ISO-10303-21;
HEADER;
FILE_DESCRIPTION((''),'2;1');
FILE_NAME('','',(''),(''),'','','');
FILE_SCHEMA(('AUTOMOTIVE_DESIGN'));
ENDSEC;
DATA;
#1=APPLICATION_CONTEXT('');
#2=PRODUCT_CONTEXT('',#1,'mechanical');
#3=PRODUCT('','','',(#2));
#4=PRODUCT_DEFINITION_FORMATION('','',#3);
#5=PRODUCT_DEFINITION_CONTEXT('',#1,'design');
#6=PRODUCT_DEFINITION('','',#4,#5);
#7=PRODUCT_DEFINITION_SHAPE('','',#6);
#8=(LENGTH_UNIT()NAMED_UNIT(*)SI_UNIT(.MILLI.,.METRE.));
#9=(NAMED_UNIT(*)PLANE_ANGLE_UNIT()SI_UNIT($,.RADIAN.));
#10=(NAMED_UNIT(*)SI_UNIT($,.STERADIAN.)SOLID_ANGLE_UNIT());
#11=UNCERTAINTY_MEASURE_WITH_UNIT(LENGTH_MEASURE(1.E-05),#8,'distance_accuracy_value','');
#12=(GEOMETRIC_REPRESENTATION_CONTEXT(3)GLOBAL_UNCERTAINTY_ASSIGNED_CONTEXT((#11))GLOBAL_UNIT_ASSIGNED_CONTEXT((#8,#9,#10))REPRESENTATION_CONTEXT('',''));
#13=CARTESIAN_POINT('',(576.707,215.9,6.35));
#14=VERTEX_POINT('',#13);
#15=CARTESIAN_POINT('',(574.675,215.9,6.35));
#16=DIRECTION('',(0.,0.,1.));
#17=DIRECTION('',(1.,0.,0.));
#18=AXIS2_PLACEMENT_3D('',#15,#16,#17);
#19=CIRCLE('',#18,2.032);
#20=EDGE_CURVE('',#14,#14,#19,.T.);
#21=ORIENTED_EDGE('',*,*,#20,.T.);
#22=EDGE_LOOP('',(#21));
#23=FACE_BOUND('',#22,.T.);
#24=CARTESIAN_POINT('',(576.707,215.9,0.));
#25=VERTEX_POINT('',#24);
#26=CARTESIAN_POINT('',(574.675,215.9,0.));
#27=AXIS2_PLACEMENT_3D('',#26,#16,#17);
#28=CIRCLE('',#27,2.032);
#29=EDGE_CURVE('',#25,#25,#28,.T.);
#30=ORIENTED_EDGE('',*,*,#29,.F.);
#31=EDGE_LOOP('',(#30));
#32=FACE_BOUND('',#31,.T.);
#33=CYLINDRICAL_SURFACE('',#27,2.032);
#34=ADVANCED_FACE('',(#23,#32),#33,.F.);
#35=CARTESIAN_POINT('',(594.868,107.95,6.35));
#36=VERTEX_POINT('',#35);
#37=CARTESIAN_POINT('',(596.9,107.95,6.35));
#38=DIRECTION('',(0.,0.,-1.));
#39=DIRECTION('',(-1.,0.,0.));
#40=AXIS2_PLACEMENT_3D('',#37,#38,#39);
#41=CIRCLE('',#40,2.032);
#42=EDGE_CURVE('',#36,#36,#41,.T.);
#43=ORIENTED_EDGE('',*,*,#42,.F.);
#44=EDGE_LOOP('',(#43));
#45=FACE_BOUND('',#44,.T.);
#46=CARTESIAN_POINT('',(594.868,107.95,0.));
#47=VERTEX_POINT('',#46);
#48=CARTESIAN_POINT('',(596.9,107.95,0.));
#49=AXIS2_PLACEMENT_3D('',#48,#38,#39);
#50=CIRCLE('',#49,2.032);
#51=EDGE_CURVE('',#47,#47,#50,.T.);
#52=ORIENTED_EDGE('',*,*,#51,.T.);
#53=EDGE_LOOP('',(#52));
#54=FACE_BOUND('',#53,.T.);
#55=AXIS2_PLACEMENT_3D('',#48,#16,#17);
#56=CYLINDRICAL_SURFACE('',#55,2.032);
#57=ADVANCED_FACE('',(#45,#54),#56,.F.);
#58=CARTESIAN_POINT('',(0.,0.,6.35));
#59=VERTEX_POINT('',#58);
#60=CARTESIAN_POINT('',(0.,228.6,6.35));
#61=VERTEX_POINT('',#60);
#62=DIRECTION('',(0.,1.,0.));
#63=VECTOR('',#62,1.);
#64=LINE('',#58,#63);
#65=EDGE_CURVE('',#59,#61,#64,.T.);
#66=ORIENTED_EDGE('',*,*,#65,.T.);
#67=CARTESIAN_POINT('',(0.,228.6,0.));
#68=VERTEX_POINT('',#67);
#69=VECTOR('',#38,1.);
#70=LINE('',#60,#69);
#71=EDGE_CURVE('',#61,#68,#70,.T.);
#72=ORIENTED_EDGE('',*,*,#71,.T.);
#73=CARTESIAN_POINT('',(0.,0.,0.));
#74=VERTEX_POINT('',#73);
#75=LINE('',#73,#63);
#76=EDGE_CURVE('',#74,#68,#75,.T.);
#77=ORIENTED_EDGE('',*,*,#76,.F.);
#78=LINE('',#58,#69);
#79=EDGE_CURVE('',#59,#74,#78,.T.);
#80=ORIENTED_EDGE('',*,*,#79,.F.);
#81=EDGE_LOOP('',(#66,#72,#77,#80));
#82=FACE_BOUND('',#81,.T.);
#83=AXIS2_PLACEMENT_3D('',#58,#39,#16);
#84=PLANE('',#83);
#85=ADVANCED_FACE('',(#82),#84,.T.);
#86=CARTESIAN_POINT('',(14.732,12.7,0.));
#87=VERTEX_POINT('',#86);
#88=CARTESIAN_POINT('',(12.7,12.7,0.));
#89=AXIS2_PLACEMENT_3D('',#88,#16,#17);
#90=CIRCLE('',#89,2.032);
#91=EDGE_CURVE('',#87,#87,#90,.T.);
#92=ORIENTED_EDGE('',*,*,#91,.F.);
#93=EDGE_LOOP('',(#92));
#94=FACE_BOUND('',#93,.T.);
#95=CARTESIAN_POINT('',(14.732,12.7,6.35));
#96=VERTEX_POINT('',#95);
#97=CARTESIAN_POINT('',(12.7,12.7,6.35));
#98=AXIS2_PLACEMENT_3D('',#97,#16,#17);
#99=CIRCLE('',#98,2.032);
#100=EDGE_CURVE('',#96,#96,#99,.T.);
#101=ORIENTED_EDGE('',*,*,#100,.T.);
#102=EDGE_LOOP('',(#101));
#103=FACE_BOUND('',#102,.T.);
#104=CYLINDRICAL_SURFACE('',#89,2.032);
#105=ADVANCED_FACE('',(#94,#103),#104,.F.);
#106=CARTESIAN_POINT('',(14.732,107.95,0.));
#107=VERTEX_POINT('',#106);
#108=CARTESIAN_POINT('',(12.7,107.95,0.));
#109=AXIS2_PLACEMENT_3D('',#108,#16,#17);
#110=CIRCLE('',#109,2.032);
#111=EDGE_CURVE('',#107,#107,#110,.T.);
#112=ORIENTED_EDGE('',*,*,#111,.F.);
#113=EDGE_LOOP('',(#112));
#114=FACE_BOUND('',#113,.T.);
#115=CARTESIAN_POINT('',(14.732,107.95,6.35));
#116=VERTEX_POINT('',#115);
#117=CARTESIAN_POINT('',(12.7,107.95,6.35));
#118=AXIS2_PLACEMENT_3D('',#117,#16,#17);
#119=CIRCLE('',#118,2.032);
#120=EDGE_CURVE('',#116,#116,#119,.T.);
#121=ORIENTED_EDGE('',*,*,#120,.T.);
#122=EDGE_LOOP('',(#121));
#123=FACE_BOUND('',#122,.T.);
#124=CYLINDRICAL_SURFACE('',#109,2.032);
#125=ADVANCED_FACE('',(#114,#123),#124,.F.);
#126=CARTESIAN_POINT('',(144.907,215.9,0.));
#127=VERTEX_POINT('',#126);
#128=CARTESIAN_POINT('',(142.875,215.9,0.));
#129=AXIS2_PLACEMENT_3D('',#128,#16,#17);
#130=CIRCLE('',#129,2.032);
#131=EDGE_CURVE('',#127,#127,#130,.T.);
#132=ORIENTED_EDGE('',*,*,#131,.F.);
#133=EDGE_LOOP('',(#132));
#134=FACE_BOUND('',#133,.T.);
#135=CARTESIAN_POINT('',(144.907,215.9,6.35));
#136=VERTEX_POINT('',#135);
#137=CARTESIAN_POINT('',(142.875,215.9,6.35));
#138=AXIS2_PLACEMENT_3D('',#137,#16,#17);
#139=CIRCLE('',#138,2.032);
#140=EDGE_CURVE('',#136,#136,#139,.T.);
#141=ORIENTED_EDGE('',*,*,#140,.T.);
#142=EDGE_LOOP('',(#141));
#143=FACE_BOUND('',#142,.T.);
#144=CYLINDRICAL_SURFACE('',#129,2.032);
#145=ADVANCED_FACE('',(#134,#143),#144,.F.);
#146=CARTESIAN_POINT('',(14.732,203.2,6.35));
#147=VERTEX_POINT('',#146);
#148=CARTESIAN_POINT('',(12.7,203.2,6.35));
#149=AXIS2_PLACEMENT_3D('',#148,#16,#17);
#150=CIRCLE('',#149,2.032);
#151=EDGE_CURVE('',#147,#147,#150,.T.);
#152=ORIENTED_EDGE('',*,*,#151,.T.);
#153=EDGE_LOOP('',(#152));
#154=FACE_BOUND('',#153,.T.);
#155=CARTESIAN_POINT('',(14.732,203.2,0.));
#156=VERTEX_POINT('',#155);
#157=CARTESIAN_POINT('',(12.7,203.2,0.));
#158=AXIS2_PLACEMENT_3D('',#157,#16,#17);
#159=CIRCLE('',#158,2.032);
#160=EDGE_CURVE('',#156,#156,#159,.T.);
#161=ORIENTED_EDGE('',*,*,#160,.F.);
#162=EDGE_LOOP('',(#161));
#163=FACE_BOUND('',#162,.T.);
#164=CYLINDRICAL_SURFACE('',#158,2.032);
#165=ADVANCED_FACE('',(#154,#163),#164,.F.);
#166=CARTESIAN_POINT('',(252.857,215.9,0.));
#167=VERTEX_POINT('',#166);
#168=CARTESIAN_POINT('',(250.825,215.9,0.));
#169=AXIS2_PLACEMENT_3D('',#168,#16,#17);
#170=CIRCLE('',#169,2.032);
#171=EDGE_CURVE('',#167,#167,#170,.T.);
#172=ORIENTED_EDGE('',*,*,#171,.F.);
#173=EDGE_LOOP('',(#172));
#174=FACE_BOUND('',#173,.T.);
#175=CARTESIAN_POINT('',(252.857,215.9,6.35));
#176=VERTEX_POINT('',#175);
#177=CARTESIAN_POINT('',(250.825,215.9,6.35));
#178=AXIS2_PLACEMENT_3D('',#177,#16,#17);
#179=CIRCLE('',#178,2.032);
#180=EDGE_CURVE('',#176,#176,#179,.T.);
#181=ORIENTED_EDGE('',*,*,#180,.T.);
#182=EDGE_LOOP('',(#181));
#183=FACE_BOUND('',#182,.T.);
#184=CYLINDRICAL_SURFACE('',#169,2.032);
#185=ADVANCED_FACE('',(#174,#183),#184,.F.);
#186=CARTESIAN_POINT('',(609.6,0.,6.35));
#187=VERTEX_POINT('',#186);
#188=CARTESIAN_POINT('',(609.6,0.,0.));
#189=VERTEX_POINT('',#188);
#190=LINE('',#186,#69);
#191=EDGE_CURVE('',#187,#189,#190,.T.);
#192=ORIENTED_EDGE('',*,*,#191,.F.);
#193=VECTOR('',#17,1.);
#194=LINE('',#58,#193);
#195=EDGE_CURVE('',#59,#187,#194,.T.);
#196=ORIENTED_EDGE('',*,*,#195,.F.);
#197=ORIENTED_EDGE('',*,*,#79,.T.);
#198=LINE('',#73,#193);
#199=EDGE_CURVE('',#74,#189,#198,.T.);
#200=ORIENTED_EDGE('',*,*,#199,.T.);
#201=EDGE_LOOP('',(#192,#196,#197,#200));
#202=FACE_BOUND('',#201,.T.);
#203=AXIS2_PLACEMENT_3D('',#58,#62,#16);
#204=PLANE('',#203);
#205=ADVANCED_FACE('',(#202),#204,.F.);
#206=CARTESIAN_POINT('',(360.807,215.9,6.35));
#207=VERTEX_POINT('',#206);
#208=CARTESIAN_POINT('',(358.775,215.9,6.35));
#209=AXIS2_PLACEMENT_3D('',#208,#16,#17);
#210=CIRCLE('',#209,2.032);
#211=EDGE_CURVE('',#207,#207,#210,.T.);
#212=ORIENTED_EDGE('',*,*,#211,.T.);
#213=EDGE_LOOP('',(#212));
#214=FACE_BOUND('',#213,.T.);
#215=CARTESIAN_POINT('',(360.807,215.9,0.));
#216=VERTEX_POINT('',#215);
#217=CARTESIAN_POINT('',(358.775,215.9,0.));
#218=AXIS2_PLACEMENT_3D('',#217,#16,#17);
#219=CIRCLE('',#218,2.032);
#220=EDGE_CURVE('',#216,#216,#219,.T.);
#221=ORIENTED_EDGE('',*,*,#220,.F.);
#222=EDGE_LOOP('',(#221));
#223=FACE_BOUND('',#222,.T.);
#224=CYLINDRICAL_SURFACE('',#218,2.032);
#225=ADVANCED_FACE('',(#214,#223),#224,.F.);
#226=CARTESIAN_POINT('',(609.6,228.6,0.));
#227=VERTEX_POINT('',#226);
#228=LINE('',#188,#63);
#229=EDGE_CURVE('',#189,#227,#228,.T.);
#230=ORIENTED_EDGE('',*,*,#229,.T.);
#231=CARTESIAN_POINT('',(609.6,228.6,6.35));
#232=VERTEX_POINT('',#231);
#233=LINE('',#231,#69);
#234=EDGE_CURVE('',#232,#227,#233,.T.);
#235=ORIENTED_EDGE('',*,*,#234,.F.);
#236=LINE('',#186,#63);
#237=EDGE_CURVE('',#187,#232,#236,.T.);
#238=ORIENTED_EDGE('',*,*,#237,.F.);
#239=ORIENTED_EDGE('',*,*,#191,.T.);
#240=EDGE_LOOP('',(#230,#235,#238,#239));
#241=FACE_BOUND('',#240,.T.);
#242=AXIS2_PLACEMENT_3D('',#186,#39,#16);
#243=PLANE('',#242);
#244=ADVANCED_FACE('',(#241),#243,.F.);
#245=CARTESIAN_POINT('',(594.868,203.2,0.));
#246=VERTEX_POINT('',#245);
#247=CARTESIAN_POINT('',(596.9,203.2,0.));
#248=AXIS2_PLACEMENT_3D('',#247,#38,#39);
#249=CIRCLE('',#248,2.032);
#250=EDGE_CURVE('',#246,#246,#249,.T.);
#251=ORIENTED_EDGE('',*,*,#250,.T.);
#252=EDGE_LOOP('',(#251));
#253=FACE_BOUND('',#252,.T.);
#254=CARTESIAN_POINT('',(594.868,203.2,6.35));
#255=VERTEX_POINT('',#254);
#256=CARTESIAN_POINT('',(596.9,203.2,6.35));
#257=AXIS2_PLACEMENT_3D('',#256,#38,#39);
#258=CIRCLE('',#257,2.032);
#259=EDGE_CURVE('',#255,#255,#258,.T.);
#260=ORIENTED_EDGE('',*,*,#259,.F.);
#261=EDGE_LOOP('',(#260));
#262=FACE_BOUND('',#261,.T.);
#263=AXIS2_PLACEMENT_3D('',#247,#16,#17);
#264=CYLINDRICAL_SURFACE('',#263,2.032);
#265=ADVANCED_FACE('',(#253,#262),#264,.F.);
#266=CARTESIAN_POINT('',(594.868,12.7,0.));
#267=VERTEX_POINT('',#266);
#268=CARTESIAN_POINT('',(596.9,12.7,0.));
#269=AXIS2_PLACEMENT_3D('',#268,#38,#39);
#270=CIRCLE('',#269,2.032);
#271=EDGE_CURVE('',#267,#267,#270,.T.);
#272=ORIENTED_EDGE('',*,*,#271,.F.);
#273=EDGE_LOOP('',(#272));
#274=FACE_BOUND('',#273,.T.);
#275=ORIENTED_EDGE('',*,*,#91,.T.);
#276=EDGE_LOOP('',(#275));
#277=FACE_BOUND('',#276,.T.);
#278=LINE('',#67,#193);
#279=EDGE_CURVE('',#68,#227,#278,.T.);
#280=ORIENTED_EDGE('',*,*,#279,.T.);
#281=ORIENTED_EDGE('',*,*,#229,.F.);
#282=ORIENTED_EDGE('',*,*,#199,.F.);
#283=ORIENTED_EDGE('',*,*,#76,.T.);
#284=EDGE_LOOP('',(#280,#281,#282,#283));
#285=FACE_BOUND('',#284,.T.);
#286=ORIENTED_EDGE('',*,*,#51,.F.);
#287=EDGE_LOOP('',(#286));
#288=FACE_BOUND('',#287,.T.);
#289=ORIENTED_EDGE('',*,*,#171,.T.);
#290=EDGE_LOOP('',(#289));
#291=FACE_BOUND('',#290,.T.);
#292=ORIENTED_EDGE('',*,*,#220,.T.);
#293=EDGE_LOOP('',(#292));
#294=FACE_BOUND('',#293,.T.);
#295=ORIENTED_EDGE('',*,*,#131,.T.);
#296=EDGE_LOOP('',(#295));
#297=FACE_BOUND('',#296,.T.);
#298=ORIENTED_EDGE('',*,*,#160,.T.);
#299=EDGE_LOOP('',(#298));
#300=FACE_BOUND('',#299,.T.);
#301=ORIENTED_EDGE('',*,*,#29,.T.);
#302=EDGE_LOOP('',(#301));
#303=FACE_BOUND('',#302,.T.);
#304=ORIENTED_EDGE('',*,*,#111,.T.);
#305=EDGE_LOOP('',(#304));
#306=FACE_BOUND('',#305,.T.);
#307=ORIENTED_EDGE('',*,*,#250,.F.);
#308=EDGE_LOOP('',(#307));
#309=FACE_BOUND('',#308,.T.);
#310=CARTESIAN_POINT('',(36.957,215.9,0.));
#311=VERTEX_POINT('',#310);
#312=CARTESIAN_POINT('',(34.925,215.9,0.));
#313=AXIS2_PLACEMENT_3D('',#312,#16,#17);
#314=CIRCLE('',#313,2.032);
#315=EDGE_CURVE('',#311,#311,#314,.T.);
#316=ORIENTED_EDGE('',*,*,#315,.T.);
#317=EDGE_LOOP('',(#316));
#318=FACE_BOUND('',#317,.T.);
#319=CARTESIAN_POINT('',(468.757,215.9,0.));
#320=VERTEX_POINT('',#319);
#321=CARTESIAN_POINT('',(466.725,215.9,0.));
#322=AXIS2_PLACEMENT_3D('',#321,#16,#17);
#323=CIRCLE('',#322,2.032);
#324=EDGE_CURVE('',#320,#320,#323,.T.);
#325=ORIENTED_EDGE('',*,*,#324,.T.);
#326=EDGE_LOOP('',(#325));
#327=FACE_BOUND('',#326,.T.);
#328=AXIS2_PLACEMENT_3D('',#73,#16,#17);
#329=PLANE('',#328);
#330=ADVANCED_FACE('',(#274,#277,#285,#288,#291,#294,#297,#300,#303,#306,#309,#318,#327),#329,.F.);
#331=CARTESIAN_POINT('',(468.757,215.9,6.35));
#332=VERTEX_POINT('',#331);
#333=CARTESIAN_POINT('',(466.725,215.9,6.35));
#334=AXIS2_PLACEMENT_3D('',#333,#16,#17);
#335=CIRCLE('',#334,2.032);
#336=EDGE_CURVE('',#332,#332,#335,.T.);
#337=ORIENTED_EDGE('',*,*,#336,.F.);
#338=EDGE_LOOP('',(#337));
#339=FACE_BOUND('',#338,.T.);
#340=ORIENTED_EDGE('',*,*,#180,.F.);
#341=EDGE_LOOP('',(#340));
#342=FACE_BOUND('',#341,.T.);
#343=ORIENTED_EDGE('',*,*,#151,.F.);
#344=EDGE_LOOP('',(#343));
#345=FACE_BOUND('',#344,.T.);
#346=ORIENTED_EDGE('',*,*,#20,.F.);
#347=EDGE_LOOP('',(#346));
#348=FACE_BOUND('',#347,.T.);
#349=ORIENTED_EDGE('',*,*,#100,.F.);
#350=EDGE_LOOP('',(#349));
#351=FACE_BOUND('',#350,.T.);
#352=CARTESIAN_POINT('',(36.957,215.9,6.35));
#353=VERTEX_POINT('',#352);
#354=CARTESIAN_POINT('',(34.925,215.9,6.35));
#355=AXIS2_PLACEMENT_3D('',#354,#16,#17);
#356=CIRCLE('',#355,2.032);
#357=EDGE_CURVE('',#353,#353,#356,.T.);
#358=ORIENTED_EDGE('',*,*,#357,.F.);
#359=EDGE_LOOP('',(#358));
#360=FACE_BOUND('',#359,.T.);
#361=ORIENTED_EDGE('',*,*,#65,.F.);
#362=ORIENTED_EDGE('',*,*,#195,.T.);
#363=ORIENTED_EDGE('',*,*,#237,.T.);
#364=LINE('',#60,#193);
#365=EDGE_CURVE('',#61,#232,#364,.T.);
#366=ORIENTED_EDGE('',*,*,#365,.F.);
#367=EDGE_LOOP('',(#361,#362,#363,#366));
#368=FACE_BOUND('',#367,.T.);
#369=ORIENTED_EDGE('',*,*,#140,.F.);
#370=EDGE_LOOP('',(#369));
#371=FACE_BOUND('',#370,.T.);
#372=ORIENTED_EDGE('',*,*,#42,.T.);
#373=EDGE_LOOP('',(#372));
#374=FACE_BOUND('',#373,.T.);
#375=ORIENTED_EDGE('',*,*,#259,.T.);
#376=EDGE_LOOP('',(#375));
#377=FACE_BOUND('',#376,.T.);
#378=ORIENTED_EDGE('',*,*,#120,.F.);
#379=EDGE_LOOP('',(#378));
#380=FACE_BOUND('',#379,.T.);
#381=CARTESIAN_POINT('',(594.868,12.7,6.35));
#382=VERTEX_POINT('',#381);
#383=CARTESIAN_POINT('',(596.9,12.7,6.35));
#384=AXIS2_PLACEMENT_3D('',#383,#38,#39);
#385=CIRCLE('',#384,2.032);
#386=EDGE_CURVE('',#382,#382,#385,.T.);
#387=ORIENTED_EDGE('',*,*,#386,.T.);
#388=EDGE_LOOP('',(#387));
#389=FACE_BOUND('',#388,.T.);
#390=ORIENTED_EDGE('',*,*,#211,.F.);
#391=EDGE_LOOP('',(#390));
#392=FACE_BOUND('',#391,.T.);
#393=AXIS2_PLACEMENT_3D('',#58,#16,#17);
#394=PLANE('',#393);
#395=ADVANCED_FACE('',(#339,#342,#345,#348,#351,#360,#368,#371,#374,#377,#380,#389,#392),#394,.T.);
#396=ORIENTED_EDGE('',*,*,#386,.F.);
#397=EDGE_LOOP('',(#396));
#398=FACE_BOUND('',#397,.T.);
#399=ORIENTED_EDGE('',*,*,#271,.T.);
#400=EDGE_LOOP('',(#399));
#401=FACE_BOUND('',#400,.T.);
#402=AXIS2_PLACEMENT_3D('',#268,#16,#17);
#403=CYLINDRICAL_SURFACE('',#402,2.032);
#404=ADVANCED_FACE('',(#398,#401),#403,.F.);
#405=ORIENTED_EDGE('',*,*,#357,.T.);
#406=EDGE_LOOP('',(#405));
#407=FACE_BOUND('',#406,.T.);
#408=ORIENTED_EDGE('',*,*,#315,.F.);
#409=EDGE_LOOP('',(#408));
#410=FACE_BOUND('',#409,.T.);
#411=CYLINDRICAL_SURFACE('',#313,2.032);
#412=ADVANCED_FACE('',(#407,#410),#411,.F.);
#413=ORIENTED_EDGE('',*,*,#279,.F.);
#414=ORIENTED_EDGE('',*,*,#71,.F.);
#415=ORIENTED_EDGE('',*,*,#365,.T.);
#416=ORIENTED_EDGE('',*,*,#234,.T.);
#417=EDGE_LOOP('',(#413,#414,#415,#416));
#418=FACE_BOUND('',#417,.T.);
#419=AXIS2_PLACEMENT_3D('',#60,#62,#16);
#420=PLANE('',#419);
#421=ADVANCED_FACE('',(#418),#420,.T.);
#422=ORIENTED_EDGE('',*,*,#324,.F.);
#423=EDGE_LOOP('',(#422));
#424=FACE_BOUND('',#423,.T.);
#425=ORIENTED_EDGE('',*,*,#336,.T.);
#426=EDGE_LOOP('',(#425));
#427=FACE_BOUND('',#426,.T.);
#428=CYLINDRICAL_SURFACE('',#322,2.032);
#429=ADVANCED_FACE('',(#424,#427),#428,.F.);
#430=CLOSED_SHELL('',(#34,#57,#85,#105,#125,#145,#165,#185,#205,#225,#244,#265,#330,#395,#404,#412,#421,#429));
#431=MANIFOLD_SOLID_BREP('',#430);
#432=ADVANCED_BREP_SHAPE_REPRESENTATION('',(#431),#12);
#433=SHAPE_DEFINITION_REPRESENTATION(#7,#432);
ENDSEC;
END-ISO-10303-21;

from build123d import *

# Parameters (mm, degrees)
SKETCH1_W           = 609.6
SKETCH1_H           = 228.6
BOSS_EXTRUDE1_DEPTH = 6.35
SKETCH2_R           = 2.032
CUT_EXTRUDE4_DEPTH  = 7.35
SKETCH4_R           = 2.032
CUT_EXTRUDE7_DEPTH  = 7.35


with BuildPart() as part:
    # Sketch1 → Boss-Extrude1 (new body)
    with BuildSketch(Plane.XY):
        with Locations((304.8, 114.3)):
            Rectangle(SKETCH1_W, SKETCH1_H)
    extrude(amount=BOSS_EXTRUDE1_DEPTH)

    # Sketch2 → Cut-Extrude4 (cut, through all)
    with BuildSketch(Plane.XY.offset(6.35)):
        with Locations((12.7, 203.2)):
            Circle(SKETCH2_R)
        with Locations((12.7, 107.95)):
            Circle(SKETCH2_R)
        with Locations((12.7, 12.7)):
            Circle(SKETCH2_R)
        with Locations((596.9, 12.7)):
            Circle(SKETCH2_R)
        with Locations((596.9, 107.95)):
            Circle(SKETCH2_R)
        with Locations((596.9, 203.2)):
            Circle(SKETCH2_R)
    extrude(amount=-CUT_EXTRUDE4_DEPTH, mode=Mode.SUBTRACT)

    # Sketch4 → Cut-Extrude7 (cut, through all)
    with BuildSketch(Plane.XY.offset(6.35)):
        with Locations((34.925, 215.9)):
            Circle(SKETCH4_R)
        with Locations((142.875, 215.9)):
            Circle(SKETCH4_R)
        with Locations((250.825, 215.9)):
            Circle(SKETCH4_R)
        with Locations((358.775, 215.9)):
            Circle(SKETCH4_R)
        with Locations((466.725, 215.9)):
            Circle(SKETCH4_R)
        with Locations((574.675, 215.9)):
            Circle(SKETCH4_R)
    extrude(amount=-CUT_EXTRUDE7_DEPTH, mode=Mode.SUBTRACT)


solid = part.part
